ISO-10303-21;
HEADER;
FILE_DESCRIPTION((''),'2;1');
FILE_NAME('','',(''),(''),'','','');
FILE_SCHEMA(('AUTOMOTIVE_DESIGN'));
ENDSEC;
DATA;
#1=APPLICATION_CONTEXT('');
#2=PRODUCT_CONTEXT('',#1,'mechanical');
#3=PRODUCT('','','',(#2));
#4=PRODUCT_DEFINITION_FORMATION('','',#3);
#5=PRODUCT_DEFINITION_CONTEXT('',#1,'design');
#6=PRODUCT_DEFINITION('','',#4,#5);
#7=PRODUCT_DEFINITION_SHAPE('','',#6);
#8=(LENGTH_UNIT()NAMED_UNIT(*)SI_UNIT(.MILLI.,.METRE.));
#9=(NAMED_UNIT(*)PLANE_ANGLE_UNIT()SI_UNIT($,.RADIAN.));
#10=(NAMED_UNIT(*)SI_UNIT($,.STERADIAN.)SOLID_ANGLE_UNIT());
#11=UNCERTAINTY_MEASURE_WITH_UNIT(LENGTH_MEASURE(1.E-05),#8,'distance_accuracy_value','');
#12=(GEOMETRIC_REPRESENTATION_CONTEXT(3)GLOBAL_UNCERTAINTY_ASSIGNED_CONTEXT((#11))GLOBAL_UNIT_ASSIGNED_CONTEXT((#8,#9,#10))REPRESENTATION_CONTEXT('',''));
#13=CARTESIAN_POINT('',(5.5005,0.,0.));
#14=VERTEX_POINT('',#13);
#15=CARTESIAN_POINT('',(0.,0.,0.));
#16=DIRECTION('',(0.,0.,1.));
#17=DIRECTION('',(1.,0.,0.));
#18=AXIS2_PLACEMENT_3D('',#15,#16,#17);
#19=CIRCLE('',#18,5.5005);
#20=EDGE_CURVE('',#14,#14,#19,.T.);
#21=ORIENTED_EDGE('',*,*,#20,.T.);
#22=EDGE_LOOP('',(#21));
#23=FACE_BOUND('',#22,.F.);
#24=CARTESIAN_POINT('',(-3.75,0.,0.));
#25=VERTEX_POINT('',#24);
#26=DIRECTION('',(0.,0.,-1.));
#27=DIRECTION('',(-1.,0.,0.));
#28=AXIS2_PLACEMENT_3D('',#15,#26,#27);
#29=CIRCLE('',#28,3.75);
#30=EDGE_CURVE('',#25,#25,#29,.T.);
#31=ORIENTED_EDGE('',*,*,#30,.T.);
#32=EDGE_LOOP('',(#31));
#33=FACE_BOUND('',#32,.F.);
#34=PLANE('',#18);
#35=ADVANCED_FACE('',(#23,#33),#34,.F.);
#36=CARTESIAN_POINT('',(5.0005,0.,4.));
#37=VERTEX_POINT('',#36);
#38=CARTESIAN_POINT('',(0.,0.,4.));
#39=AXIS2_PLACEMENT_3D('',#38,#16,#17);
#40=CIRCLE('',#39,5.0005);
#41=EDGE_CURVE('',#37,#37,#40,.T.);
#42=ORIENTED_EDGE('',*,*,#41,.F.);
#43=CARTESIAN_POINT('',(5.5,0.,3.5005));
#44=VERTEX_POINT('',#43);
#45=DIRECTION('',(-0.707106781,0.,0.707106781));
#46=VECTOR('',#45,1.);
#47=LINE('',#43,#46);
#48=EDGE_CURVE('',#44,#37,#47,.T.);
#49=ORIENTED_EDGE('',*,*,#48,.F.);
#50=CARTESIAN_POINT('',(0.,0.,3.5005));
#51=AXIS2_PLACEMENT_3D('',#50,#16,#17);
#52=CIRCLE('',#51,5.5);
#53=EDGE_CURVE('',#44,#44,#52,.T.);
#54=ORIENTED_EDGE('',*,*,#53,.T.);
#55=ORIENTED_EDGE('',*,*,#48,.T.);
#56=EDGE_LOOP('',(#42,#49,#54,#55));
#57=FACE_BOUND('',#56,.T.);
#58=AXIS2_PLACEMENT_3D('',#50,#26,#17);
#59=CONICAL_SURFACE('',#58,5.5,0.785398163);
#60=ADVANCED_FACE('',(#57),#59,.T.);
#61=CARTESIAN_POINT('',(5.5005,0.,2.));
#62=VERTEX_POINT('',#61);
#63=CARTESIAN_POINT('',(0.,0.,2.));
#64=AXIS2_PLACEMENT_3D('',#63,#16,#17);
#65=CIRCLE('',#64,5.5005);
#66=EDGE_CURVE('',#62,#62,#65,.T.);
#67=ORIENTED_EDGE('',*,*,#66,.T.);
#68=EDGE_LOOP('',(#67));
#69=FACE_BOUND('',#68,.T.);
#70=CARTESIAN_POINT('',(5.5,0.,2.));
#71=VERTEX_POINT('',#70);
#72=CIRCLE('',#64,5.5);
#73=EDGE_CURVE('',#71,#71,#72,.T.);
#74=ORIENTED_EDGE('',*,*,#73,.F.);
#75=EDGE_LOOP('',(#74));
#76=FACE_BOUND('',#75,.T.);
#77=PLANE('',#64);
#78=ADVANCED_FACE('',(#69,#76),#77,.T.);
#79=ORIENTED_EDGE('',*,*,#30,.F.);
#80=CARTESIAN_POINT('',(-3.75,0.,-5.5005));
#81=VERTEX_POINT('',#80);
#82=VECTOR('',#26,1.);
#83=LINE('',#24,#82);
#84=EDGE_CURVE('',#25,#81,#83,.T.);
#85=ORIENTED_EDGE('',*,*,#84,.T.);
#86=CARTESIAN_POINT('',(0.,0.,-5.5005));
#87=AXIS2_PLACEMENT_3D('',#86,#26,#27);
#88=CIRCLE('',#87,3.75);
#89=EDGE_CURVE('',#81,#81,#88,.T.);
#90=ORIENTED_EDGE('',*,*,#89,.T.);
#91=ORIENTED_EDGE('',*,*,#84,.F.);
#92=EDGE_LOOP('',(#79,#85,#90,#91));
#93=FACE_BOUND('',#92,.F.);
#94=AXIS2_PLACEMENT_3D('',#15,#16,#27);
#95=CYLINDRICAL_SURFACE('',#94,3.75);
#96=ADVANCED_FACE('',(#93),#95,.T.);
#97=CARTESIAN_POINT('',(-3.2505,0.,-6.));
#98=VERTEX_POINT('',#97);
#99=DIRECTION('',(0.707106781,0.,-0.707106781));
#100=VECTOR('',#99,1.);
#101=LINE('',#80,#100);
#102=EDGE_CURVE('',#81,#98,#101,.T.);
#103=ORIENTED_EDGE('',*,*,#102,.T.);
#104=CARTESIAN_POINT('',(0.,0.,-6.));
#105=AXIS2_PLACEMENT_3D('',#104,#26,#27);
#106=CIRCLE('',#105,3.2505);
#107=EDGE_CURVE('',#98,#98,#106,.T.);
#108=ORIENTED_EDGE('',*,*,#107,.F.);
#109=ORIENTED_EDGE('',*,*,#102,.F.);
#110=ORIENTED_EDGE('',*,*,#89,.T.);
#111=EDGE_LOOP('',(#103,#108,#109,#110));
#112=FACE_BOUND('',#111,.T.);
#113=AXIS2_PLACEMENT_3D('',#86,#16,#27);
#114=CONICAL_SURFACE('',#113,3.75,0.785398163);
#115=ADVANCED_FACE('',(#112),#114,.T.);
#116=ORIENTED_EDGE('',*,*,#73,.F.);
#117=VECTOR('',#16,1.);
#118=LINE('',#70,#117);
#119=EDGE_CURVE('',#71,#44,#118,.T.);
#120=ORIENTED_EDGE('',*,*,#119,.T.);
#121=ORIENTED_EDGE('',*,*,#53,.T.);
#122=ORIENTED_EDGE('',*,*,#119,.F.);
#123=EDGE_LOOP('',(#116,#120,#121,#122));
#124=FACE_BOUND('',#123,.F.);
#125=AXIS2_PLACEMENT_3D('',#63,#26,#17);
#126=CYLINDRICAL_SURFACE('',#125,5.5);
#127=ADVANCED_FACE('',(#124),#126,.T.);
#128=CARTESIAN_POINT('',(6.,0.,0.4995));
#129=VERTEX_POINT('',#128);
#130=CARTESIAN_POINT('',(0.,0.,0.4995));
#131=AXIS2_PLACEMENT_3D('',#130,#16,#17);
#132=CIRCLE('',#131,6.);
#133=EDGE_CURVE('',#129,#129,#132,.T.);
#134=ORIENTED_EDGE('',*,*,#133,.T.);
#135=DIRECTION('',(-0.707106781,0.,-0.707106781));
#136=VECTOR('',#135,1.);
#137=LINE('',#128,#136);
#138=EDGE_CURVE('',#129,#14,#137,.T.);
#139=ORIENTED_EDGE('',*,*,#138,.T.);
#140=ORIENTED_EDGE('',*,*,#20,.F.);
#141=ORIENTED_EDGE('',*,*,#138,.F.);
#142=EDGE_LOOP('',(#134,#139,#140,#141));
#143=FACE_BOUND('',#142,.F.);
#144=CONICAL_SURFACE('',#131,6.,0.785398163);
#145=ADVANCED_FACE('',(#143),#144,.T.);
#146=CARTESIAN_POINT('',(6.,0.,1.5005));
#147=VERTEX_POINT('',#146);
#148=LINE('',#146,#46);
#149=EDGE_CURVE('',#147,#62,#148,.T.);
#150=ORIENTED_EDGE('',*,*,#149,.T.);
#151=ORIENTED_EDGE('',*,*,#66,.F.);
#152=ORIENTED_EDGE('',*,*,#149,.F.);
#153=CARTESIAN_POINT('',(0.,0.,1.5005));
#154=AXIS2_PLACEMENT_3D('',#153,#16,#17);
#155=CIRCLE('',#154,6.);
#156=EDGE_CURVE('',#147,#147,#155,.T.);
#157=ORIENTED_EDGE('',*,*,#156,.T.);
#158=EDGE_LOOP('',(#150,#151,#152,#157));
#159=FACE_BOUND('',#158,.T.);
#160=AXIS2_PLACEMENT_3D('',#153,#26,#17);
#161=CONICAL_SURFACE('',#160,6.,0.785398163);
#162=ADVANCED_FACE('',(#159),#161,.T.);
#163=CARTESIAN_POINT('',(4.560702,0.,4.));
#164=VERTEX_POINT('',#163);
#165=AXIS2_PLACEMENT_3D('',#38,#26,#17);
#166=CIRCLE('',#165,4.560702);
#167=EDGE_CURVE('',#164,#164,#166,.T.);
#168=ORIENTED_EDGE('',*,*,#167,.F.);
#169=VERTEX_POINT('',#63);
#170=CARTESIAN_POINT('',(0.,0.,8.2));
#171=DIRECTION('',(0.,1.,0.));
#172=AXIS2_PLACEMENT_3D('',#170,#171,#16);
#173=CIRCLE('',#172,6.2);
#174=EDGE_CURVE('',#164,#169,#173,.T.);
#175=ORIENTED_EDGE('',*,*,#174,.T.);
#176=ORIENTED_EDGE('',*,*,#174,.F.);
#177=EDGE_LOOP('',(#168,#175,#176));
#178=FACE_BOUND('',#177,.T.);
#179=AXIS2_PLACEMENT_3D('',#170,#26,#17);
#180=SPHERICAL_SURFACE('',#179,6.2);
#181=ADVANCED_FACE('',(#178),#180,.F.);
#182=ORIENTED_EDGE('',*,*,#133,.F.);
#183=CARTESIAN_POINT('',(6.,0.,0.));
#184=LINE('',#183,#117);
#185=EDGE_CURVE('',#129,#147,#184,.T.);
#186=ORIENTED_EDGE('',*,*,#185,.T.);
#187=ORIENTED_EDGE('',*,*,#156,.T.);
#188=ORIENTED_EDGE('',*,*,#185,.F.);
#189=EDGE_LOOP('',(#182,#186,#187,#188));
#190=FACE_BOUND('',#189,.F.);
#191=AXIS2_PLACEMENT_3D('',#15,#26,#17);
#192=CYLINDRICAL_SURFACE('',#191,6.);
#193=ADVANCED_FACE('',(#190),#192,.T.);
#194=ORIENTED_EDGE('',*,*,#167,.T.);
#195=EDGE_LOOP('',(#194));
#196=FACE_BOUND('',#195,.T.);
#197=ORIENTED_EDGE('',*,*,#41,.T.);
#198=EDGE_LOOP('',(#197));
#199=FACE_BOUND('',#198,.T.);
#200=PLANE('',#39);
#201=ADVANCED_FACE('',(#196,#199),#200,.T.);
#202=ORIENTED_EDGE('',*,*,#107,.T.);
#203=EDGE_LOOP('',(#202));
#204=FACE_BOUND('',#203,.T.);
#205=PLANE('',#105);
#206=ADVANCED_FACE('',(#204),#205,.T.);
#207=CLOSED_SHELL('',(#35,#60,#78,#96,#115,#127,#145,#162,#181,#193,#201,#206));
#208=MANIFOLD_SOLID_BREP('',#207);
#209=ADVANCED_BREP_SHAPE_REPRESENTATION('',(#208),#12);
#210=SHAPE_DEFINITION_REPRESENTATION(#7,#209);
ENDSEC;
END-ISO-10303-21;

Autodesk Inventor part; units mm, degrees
ref_plane "YZ Plane" through (0, 0, 0) normal (1, 0, 0) x (0, 1, 0)
ref_plane "XZ Plane" through (0, 0, 0) normal (0, 1, 0) x (-1, 0, 0)
ref_plane "XY Plane" through (0, 0, 0) normal (0, 0, 1) x (1, 0, 0)
sketch "草图1" plane through (0, 0, 0) normal (0, 0, 1) x (1, 0, 0)
  circle A0 centre (0, 0) radius 6
  dimension "d0" = 12
extrude "拉伸1" add sketch "草图1" along normal blind 2
sketch "草图2" plane through (0, 0, 2) normal (0, 0, 1) x (1, 0, 0)
  circle A0 centre (0, 0) radius 6 projected
  circle A1 centre (0, 0) radius 5.5
  dimension "d3" = 11
extrude "拉伸2" add sketch "草图2" along normal blind 2 contours A1
sketch "草图3" plane through (0, 0, 0) normal (0, 0, -1) x (-1, 0, 0)
  circle A0 centre (0, 0) radius 6 projected
  circle A1 centre (0, 0) radius 3.75
  dimension "d6" = 7.5
extrude "拉伸3" add sketch "草图3" along normal blind 6 contours A1
sketch "草图4" plane through (0, 0, 0) normal (0, 1, 0) x (-1, 0, 0)
  line L0 (6, 2) -> (-6, 2) projected
  arc A0 (0, 14.4) -> (0, 2) centre (0, 8.2) ccw
  line L1 (0, 2) -> (0, 14.4)
  point P0 (0, 0)
revolve "旋转1" cut sketch "草图4" angle 360 about axis through (0, 0, 2) along (0, 0, 1)
chamfer "倒角1" distance 0.5 angle 45 4 edges at (3.75, 0, -6) (-6, 0, 0) (-6, 0, 2) (-5.5, 0, 4)
properties part number "钢珠定位圈" material "钢"
